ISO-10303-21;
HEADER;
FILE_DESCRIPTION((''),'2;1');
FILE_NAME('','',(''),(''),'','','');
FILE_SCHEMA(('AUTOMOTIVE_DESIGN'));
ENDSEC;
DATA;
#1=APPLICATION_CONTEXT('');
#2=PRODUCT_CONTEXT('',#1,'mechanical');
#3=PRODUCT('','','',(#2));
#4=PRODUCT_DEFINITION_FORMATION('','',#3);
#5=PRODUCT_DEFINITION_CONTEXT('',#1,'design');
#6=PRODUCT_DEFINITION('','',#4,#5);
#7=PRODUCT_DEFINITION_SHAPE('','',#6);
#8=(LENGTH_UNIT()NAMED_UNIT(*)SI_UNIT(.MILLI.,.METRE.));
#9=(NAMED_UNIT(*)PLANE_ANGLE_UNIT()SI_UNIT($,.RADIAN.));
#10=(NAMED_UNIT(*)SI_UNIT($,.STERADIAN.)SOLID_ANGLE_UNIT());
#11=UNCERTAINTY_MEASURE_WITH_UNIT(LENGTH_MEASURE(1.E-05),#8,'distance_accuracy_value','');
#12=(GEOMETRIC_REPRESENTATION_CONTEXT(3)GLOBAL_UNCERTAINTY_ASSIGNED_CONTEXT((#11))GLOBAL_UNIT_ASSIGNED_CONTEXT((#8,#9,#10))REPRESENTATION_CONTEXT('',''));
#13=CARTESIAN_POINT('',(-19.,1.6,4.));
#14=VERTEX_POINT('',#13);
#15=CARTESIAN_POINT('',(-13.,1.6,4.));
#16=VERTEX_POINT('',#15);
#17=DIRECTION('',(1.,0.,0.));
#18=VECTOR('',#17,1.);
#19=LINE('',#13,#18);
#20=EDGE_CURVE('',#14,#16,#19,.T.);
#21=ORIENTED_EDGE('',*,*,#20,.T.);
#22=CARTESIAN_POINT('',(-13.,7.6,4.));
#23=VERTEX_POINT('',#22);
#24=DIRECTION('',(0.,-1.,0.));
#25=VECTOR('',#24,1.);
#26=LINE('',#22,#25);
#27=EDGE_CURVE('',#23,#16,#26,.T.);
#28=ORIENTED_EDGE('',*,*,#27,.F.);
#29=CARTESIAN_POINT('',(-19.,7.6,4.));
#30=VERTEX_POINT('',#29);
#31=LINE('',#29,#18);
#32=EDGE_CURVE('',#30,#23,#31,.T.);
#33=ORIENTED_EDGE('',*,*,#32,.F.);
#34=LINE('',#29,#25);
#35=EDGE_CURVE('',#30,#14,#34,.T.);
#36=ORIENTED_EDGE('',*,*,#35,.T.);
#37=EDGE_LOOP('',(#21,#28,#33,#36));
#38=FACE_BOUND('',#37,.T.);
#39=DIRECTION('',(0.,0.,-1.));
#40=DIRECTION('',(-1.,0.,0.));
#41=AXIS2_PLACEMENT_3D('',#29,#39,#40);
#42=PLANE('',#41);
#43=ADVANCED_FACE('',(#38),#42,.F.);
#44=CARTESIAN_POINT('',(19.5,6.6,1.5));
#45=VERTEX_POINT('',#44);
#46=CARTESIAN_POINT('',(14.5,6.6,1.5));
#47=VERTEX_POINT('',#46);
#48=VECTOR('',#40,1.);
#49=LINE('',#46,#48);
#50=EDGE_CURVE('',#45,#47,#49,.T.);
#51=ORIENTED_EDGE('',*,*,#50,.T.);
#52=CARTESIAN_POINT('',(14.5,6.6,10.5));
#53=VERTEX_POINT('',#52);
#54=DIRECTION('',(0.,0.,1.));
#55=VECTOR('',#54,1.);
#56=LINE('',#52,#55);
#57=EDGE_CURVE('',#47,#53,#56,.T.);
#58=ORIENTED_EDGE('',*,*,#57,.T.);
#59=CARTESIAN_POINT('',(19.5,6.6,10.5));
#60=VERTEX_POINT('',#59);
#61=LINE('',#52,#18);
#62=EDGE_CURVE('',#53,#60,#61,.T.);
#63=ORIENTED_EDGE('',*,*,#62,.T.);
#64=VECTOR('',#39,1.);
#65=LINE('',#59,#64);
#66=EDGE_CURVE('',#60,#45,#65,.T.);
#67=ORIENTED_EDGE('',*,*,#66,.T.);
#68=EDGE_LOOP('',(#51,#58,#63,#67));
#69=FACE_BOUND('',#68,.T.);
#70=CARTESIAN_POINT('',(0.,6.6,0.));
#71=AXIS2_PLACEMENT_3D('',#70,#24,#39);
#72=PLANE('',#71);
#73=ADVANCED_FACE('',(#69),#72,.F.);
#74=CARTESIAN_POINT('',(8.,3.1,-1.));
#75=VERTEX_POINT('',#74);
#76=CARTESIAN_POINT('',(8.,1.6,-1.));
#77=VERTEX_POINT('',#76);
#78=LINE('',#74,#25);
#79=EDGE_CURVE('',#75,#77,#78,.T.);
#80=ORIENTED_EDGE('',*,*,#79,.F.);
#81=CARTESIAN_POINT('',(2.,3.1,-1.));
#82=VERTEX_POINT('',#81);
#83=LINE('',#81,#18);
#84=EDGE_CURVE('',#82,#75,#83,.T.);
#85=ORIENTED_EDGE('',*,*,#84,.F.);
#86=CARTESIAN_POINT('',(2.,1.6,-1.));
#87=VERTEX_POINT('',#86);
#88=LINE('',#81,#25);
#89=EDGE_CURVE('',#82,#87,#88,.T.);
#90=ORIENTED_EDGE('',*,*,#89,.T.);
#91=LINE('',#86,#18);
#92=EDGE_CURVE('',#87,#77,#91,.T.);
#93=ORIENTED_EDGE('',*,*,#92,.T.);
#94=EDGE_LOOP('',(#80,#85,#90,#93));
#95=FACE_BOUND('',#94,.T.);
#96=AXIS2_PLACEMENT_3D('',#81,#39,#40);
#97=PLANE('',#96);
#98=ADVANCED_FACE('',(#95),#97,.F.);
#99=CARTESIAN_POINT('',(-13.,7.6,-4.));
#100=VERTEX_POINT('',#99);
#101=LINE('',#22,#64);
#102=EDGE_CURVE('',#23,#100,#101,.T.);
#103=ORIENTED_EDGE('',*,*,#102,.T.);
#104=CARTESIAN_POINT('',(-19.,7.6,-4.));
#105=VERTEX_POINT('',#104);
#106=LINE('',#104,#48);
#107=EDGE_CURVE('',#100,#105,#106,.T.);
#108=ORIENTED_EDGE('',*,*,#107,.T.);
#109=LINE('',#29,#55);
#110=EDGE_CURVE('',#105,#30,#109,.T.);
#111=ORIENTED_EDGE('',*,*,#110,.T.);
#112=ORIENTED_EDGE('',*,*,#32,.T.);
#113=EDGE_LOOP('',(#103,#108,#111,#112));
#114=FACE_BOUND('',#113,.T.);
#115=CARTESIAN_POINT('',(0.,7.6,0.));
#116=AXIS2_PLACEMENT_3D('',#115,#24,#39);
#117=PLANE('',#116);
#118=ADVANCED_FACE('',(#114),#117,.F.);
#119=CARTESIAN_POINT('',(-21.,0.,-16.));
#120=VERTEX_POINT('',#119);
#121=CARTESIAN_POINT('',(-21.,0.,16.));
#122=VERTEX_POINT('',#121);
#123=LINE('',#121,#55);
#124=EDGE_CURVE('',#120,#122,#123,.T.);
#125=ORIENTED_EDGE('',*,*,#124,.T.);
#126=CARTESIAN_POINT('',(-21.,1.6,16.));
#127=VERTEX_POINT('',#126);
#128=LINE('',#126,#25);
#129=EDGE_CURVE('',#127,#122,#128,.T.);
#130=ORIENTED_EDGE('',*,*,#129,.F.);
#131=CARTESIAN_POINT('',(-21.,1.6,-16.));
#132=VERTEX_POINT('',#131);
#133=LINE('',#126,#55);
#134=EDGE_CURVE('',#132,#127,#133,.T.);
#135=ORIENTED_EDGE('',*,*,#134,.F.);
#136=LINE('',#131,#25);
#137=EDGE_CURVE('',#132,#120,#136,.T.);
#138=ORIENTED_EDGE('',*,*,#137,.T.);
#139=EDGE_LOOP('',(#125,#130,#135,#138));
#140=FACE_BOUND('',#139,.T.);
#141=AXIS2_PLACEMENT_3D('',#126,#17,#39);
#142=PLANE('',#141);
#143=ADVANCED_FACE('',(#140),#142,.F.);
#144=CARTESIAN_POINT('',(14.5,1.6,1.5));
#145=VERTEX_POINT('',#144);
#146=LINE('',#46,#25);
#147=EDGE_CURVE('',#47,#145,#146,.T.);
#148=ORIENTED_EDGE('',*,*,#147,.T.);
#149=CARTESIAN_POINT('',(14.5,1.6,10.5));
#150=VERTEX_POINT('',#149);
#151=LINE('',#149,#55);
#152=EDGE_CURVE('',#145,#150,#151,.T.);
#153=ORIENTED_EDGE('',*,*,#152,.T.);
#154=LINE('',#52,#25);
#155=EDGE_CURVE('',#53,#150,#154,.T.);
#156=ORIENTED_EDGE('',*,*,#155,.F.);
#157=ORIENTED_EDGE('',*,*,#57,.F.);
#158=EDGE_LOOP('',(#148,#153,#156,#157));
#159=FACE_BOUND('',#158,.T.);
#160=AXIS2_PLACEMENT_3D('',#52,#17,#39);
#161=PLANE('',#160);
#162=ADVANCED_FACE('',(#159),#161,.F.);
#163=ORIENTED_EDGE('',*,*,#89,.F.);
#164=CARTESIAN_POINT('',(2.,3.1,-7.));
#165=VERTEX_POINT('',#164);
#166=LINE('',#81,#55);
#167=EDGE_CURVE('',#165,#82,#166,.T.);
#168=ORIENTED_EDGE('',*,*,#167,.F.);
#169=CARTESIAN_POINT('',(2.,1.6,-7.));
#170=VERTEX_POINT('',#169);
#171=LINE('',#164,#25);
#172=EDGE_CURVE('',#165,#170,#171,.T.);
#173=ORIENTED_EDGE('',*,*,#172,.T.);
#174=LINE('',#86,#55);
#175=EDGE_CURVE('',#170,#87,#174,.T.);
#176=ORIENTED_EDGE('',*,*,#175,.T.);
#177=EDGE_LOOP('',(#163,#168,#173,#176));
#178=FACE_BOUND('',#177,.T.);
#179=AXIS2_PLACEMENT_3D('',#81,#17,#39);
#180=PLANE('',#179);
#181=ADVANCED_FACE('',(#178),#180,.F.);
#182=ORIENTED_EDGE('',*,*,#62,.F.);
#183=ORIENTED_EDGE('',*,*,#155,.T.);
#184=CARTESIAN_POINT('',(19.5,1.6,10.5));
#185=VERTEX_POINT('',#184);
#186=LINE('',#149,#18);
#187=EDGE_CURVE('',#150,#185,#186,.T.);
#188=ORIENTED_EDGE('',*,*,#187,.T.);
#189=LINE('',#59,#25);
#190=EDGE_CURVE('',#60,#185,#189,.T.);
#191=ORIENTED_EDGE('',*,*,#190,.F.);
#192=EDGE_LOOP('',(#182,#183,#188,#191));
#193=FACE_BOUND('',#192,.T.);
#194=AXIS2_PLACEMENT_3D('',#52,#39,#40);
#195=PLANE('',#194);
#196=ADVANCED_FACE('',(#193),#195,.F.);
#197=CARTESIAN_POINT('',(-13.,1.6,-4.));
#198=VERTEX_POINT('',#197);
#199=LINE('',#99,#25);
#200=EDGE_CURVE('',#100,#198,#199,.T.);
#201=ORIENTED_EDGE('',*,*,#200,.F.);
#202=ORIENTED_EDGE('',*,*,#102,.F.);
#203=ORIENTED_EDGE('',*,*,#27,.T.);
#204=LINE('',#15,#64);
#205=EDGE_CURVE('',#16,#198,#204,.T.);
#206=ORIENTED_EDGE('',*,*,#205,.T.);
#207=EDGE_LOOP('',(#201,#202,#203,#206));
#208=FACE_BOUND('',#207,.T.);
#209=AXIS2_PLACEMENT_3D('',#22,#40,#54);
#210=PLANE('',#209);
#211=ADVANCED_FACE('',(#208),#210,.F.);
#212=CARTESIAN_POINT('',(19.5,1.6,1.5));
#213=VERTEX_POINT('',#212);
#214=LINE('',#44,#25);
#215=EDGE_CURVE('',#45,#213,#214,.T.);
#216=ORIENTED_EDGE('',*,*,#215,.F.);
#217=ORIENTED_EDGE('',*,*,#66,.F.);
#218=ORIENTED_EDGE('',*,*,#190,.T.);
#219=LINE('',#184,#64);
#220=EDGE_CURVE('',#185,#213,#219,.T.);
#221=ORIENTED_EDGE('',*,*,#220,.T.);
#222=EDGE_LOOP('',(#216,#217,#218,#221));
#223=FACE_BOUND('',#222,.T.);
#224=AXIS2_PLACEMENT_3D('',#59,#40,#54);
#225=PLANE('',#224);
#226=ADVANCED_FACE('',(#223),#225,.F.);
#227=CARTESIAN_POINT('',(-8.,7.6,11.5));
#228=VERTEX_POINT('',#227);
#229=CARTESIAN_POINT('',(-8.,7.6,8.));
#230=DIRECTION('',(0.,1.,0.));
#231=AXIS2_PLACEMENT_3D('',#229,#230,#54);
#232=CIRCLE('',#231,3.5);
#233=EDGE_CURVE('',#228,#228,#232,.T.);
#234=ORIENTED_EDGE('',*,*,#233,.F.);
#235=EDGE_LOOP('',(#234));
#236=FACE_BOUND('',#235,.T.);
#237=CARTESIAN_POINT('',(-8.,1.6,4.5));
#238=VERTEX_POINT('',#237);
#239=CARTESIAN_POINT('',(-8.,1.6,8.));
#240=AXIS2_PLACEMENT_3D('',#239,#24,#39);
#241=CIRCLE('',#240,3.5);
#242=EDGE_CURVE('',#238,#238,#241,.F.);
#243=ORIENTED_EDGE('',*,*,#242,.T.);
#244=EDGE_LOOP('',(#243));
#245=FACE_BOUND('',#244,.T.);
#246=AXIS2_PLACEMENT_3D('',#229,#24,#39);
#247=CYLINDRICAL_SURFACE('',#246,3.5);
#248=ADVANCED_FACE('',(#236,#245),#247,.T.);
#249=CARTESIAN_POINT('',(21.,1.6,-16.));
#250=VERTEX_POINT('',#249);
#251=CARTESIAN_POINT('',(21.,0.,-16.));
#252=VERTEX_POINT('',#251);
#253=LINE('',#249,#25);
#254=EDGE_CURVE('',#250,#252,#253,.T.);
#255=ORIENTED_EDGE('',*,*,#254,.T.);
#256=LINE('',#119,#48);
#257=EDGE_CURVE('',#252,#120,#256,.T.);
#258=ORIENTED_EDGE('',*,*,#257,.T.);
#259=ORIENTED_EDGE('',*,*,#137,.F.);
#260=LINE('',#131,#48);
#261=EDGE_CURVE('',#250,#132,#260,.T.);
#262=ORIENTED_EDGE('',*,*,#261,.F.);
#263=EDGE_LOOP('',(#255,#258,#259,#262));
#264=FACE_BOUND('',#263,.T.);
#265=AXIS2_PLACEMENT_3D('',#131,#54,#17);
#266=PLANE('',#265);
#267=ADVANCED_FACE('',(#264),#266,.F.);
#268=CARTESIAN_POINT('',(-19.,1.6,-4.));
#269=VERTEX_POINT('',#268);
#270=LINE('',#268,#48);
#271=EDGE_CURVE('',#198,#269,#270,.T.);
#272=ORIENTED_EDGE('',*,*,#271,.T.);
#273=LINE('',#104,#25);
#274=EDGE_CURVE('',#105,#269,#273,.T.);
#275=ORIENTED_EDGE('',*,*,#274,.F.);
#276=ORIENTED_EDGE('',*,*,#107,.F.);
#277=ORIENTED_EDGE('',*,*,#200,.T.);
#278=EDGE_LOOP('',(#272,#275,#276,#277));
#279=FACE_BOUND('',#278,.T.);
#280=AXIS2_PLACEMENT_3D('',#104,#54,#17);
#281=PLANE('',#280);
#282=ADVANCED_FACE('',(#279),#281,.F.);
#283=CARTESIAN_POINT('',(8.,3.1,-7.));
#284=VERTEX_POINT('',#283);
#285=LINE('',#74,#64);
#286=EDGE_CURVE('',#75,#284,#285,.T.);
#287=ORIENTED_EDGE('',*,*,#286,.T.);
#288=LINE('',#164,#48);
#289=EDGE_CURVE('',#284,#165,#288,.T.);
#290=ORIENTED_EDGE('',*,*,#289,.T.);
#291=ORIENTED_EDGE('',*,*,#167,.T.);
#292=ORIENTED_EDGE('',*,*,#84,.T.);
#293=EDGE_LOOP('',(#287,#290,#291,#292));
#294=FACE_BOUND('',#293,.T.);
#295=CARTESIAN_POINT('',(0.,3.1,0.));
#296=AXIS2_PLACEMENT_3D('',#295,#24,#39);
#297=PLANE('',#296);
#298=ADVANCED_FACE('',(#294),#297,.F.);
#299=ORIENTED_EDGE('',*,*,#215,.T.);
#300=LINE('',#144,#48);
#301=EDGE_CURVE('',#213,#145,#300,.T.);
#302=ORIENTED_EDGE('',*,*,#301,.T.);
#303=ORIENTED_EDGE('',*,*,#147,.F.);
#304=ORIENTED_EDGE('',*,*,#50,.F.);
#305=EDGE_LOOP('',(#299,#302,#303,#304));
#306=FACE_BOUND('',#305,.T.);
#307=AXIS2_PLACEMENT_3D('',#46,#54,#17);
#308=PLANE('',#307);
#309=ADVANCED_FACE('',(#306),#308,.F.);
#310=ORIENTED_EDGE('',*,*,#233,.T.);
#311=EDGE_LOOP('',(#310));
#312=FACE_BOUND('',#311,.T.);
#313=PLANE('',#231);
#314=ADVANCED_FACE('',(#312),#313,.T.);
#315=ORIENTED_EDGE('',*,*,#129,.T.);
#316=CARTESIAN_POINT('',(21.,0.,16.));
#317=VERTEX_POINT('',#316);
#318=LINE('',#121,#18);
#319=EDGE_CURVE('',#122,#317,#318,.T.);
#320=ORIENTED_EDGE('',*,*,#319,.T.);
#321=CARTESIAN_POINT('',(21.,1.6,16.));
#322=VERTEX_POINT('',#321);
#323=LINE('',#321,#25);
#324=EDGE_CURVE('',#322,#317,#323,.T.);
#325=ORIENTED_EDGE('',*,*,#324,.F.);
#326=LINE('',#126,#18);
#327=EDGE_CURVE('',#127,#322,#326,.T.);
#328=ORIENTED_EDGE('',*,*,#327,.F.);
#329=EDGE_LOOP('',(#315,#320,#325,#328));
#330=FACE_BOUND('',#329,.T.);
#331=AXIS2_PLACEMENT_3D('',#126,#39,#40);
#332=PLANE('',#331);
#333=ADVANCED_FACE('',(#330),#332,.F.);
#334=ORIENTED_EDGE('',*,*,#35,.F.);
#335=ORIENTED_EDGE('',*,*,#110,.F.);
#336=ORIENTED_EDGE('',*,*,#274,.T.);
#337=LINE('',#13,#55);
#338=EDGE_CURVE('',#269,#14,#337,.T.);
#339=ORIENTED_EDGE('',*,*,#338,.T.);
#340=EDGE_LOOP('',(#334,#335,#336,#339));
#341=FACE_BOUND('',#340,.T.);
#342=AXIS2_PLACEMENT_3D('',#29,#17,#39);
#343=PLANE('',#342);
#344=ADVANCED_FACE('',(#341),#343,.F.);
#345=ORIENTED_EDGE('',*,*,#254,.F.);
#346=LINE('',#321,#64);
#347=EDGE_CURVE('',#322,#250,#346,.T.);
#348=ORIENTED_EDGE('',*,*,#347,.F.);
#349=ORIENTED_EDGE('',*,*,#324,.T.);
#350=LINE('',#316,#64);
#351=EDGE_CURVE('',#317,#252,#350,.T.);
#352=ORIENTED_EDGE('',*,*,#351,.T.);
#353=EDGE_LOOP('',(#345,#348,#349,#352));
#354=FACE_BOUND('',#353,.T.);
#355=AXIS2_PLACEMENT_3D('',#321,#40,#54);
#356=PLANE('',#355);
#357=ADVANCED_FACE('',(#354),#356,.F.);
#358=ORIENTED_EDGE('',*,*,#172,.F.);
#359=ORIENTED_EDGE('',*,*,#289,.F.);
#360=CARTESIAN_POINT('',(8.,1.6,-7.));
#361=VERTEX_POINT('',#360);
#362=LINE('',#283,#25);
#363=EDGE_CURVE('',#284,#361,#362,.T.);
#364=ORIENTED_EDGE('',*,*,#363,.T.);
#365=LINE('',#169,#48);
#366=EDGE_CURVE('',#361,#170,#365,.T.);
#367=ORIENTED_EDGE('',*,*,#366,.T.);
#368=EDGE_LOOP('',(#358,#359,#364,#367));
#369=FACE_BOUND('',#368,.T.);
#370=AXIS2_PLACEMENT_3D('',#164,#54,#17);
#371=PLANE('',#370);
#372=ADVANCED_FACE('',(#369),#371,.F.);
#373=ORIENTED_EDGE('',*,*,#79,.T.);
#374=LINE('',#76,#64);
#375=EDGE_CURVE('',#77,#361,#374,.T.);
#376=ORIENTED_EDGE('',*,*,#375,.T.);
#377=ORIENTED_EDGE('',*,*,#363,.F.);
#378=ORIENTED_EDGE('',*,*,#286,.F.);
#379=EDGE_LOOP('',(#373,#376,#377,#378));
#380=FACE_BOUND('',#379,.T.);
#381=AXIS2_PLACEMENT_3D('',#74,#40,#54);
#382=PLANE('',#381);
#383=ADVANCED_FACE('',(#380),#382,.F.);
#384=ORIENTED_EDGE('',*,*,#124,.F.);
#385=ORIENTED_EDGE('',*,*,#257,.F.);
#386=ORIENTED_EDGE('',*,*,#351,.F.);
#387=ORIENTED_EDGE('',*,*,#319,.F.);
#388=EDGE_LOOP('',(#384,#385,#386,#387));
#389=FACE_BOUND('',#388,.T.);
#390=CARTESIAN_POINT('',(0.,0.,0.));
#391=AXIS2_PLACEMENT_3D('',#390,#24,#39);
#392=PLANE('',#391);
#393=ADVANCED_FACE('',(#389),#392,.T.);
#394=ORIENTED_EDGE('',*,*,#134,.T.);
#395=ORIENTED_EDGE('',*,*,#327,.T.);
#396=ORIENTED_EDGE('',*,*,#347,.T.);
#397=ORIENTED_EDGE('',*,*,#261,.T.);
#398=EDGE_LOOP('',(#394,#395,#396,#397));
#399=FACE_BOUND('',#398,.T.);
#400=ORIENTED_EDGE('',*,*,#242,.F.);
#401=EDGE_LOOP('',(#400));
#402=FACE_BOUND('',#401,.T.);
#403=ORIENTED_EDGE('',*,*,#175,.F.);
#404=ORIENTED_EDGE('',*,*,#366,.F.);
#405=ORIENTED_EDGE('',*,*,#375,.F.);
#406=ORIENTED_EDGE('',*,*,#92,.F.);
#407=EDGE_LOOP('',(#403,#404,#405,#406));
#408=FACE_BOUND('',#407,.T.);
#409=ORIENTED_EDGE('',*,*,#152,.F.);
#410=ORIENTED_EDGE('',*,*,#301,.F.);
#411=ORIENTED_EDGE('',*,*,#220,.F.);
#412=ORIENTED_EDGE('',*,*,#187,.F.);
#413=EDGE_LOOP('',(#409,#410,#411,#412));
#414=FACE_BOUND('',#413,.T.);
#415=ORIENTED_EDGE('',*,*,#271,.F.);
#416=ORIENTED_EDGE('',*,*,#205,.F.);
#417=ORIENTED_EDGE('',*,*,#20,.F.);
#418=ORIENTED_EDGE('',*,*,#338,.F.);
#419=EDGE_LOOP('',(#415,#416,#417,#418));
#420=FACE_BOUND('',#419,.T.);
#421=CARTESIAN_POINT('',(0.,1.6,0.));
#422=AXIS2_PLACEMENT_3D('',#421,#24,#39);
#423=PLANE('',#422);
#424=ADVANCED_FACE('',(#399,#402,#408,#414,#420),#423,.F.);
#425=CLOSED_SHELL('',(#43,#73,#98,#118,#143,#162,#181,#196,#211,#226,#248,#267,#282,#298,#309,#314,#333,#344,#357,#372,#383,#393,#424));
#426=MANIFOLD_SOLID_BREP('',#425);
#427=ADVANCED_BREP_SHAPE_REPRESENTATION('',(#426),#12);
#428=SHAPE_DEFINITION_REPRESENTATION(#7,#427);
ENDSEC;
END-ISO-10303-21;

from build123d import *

# Parameters (mm, degrees)
SKETCH1_W             = 42
SKETCH1_H             = 32
PCB_DEPTH             = 1.6
IC_START              = 1.6
SKETCH2_W             = 6
SKETCH2_H             = 6
IC_DEPTH              = 1.5
OUT_CONNECTOR_START   = 1.6
SKETCH3_W             = 5
SKETCH3_H             = 9
OUT_CONNECTOR_DEPTH   = 5
PROBE_CONNECTOR_START = 1.6
SKETCH4_W             = 6
SKETCH4_H             = 8
PROBE_CONNECTOR_DEPTH = 6
TRIM_POT_START        = 1.6
SKETCH5_R             = 3.5
TRIM_POT_DEPTH        = 6


with BuildPart() as part:
    # Sketch1 → PCB (new body)
    with BuildSketch(Plane(origin=(0, 0, 0), x_dir=(1, 0, 0), z_dir=(0, 1, 0))):
        Rectangle(SKETCH1_W, SKETCH1_H)
    extrude(amount=PCB_DEPTH)

    # Sketch2 → IC (add)
    with BuildSketch(Plane(origin=(0, 0, 0), x_dir=(1, 0, 0), z_dir=(0, 1, 0)).offset(IC_START)):
        with Locations((5, 4)):
            Rectangle(SKETCH2_W, SKETCH2_H)
    extrude(amount=IC_DEPTH)

    # Sketch3 → Out_Connector (add)
    with BuildSketch(Plane(origin=(0, 0, 0), x_dir=(1, 0, 0), z_dir=(0, 1, 0)).offset(OUT_CONNECTOR_START)):
        with Locations((17, -6)):
            Rectangle(SKETCH3_W, SKETCH3_H)
    extrude(amount=OUT_CONNECTOR_DEPTH)

    # Sketch4 → Probe_Connector (add)
    with BuildSketch(Plane(origin=(0, 0, 0), x_dir=(1, 0, 0), z_dir=(0, 1, 0)).offset(PROBE_CONNECTOR_START)):
        with Locations((-16, 0)):
            Rectangle(SKETCH4_W, SKETCH4_H)
    extrude(amount=PROBE_CONNECTOR_DEPTH)

    # Sketch5 → Trim_Pot (add)
    with BuildSketch(Plane(origin=(0, 0, 0), x_dir=(1, 0, 0), z_dir=(0, 1, 0)).offset(TRIM_POT_START)):
        with Locations(Location((-8, -8, 0), (0, 0, 90))):
            Circle(SKETCH5_R)
    extrude(amount=TRIM_POT_DEPTH)


solid = part.part
